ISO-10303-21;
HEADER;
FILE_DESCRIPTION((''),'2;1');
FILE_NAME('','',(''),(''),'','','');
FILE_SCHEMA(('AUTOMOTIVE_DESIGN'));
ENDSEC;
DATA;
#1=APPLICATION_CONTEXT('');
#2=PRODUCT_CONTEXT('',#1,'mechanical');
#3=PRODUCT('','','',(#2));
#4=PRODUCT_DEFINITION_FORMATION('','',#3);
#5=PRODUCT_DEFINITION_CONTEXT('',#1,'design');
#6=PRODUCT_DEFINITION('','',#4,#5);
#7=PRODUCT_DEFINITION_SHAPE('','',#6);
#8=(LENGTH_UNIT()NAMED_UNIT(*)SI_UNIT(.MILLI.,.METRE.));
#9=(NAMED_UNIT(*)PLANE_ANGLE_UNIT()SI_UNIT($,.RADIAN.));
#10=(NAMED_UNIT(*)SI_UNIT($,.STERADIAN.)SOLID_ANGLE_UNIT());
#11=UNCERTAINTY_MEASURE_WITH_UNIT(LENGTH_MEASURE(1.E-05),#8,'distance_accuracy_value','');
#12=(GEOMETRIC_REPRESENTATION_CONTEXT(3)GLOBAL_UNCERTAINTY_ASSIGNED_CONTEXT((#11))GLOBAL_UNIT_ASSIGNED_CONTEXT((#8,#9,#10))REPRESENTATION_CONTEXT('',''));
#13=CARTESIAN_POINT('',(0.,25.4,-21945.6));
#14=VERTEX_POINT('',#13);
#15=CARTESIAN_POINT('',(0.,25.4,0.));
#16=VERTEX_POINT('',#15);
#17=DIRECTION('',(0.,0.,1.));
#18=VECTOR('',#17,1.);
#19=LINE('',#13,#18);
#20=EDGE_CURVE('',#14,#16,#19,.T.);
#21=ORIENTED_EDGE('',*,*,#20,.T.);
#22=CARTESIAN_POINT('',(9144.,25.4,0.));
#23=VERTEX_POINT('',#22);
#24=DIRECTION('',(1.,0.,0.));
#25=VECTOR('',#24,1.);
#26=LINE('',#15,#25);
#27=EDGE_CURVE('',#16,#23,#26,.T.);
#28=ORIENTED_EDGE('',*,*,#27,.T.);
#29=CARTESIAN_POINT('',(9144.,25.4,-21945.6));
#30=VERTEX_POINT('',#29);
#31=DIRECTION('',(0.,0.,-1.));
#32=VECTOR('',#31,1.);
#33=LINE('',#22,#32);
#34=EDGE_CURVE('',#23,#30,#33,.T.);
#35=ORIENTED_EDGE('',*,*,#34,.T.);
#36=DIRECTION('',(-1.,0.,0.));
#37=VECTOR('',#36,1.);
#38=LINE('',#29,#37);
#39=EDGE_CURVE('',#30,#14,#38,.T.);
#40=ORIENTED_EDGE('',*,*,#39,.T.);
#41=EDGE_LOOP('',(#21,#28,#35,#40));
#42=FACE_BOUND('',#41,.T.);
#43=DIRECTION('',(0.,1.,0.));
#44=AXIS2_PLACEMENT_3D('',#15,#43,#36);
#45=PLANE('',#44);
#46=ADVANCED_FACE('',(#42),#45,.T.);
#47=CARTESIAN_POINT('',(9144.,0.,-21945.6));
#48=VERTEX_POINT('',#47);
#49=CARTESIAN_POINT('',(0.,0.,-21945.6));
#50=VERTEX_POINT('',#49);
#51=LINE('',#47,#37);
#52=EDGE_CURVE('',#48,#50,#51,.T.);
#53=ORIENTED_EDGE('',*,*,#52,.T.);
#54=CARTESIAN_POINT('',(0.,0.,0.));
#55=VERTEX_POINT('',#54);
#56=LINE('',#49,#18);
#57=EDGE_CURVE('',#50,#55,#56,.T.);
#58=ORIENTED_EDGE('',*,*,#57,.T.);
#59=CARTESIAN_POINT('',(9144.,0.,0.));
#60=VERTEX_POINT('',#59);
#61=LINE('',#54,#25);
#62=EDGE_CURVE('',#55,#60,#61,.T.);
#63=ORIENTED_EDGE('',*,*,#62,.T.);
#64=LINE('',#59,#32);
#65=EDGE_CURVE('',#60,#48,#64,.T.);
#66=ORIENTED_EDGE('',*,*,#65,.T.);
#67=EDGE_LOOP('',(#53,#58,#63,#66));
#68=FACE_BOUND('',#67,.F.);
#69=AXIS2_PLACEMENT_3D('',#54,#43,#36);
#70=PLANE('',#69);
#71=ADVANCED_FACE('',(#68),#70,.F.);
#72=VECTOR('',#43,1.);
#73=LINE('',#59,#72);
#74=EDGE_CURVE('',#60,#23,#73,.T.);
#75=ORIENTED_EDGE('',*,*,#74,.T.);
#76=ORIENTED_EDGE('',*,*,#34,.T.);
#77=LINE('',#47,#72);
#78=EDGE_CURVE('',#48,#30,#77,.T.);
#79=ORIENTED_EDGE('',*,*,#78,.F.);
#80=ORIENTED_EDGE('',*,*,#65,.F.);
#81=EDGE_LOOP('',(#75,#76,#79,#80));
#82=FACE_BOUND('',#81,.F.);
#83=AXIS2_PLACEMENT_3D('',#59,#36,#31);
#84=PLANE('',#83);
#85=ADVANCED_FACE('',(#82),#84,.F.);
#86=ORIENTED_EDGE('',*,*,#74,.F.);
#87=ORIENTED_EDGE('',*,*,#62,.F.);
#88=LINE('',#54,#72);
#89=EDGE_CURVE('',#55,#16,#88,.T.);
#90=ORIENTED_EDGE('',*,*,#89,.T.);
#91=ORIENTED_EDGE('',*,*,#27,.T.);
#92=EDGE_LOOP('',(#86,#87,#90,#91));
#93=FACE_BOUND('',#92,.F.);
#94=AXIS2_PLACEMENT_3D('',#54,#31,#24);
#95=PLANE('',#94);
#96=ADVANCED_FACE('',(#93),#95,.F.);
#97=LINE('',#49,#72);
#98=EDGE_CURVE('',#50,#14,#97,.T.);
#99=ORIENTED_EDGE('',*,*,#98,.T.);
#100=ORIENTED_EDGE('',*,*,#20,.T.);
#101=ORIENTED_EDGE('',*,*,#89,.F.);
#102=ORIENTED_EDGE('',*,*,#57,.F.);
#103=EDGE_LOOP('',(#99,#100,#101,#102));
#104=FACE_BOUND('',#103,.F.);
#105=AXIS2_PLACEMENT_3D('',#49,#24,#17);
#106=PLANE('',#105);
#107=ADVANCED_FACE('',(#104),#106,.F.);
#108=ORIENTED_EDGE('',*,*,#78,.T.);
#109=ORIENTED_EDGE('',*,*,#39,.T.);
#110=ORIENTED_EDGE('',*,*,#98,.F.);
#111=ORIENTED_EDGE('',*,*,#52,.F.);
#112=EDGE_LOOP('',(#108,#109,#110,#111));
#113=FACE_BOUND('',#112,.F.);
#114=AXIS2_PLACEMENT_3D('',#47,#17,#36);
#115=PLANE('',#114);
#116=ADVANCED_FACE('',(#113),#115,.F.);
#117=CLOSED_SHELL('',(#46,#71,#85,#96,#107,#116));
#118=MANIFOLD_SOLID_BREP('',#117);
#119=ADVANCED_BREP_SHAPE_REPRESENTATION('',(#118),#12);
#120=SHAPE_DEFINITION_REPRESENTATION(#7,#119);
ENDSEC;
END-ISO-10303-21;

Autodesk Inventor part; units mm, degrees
ref_plane "YZ Plane" through (0, 0, 0) normal (1, 0, 0) x (0, 1, 0)
ref_plane "XZ Plane" through (0, 0, 0) normal (0, 1, 0) x (-1, 0, 0)
ref_plane "XY Plane" through (0, 0, 0) normal (0, 0, 1) x (1, 0, 0)
sketch "Sketch1" plane through (0, 0, 0) normal (0, 1, 0) x (-1, 0, 0)
  line L0 (0, 0) -> (-9144, 0)
  line L1 (-9144, 0) -> (-9144, -21945.6)
  line L2 (-9144, -21945.6) -> (0, -21945.6)
  line L3 (0, -21945.6) -> (0, 0)
  dimension "d0" = 9144
  dimension "d1" = 21945.6
extrude "Extrusion1" add sketch "Sketch1" along normal blind 25.4
properties part number "Game Design Floor"
